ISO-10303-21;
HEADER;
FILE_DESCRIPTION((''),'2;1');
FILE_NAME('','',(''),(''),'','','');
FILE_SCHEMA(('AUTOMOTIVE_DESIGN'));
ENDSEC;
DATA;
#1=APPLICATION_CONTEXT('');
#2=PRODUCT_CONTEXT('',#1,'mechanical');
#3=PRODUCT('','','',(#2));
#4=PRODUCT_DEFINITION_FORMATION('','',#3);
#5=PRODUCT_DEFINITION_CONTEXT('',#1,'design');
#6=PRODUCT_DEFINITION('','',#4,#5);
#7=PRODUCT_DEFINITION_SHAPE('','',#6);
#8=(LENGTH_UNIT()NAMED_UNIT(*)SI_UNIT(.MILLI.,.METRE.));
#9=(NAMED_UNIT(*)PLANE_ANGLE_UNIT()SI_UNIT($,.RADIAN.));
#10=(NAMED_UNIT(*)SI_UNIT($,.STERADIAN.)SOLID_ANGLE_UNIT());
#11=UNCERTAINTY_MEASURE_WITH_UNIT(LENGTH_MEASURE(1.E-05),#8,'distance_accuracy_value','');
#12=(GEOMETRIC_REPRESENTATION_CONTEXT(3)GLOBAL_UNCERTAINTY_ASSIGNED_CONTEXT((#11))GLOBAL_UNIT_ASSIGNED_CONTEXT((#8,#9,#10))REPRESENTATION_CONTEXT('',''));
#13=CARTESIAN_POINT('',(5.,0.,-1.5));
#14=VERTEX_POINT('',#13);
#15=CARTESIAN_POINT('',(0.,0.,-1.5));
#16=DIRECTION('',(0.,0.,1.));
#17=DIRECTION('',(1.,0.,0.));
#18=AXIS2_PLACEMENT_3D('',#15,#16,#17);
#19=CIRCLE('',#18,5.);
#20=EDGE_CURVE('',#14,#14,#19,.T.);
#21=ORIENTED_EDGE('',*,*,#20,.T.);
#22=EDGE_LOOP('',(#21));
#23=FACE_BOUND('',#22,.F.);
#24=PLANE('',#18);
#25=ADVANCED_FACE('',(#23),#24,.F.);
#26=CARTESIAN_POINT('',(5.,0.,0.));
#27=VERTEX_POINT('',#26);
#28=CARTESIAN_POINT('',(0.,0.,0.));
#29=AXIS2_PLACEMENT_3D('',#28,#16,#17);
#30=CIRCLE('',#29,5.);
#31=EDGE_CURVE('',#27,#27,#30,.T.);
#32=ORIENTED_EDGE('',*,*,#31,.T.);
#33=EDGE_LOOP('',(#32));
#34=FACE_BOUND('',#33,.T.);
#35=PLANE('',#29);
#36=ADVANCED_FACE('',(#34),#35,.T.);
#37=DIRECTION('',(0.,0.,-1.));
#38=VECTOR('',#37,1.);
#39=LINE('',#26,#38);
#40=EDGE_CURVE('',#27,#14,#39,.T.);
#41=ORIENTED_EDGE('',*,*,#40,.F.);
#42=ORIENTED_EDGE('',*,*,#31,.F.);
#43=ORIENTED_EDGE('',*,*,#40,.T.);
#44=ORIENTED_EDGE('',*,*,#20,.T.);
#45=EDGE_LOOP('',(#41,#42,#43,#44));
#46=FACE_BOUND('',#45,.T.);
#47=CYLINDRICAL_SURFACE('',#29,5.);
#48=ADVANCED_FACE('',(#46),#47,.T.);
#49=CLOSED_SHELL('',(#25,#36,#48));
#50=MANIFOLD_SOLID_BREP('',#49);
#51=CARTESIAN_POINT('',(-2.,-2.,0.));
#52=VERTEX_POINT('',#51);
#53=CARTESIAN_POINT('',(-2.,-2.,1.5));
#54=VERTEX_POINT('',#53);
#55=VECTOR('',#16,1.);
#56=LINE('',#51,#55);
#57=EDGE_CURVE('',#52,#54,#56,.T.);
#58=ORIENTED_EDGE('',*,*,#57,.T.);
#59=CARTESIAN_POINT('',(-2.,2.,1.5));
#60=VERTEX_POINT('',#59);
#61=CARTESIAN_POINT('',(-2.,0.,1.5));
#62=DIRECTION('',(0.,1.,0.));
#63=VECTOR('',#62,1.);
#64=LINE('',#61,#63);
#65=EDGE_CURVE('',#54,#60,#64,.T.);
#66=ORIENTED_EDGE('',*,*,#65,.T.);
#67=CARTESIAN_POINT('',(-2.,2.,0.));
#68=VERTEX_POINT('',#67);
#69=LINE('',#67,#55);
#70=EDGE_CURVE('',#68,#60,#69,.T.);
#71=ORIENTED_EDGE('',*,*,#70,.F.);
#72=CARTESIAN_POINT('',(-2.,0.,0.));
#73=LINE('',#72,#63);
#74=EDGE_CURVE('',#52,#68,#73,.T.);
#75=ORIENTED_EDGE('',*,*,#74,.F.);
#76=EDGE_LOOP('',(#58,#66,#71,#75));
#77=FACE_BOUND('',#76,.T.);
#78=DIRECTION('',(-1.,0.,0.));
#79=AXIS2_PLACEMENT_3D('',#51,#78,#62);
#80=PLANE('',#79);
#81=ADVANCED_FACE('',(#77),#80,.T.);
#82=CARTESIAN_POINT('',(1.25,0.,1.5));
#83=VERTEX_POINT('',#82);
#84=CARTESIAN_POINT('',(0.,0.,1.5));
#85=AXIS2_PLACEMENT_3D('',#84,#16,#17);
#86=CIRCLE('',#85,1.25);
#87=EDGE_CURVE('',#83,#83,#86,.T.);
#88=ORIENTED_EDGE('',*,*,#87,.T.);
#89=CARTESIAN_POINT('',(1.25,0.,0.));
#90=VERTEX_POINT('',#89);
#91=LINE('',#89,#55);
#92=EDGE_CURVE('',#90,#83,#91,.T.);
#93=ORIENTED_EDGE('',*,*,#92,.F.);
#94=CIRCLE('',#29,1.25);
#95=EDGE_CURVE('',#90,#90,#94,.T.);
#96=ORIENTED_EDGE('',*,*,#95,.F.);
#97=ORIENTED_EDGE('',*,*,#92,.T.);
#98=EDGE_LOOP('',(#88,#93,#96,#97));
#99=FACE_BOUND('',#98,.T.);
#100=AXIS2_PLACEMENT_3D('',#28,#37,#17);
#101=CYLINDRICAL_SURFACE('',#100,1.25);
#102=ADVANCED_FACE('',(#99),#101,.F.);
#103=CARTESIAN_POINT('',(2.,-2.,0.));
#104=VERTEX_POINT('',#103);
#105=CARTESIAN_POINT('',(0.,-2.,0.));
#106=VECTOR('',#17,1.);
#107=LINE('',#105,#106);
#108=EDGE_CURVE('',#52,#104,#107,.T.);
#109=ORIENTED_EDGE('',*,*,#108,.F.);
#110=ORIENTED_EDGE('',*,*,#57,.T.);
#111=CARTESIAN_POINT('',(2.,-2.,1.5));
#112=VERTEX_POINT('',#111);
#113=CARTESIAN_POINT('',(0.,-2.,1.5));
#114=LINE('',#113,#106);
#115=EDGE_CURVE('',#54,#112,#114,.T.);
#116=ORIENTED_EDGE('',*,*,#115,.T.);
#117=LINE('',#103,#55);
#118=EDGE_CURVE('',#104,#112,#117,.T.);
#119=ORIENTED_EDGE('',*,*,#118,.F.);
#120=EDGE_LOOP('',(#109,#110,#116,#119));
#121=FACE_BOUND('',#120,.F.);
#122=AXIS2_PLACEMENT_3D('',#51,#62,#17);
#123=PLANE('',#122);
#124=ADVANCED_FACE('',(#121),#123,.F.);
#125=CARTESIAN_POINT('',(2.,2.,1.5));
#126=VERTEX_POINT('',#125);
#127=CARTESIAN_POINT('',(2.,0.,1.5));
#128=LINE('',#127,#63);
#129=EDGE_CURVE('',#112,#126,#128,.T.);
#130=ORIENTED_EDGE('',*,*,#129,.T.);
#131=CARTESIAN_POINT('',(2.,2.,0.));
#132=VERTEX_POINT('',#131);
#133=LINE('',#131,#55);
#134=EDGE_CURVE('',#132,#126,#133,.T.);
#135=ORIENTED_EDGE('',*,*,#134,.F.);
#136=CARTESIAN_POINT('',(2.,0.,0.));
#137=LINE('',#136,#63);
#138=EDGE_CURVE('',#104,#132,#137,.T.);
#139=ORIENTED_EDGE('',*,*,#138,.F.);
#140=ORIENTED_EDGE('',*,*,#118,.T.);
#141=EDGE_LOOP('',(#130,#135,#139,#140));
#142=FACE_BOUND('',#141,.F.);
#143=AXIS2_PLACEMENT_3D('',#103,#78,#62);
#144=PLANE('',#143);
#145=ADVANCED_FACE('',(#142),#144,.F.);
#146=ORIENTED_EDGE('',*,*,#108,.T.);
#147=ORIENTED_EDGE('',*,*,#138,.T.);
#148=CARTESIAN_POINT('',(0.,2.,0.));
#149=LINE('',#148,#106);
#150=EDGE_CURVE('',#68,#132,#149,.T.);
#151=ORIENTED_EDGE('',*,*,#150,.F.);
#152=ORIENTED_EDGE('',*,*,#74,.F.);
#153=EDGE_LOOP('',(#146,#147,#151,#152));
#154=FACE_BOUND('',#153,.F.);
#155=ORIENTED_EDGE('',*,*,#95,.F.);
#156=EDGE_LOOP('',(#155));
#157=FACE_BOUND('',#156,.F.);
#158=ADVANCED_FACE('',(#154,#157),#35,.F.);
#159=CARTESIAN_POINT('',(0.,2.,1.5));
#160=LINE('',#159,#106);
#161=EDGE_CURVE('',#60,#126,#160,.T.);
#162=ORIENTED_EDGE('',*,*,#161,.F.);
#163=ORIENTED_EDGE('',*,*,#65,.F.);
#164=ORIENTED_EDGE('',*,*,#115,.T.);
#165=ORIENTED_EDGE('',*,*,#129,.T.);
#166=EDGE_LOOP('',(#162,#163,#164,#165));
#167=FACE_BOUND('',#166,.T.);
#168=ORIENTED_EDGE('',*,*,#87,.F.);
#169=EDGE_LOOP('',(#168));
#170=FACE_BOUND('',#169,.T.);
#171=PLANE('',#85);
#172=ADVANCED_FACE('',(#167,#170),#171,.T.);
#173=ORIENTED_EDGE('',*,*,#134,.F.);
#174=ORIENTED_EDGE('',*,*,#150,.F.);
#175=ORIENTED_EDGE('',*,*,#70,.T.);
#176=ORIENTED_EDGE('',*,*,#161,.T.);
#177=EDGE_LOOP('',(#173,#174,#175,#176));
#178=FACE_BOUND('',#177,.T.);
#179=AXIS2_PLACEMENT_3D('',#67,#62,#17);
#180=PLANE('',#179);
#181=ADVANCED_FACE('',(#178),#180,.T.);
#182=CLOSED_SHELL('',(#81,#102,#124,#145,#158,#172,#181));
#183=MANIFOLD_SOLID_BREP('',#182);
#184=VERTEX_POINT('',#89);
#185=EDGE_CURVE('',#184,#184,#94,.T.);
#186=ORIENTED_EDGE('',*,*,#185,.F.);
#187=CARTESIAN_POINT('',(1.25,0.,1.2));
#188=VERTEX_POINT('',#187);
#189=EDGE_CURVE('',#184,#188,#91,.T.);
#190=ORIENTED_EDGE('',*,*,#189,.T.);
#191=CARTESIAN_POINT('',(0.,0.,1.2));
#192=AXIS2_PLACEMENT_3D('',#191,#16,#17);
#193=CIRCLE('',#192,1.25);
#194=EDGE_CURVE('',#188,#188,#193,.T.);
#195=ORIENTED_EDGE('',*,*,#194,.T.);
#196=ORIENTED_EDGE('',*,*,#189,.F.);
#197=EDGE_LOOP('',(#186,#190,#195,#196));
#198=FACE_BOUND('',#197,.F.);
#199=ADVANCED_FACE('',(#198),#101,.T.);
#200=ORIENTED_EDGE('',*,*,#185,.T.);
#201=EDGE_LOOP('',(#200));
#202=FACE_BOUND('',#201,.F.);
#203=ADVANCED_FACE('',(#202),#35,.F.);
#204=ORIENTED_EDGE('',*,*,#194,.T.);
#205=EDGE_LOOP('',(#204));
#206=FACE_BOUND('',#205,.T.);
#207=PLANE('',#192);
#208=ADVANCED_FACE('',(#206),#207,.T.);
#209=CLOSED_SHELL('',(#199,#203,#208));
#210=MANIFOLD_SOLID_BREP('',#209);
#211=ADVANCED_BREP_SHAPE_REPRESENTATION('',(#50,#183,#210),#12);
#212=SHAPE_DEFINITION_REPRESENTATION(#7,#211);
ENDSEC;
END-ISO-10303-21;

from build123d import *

# Parameters (mm, degrees)
F0_R     = 5
F0_W     = 4
F0_H     = 4
F0_R_2   = 1.25
F1_DEPTH = 1.5
F2_DEPTH = 1.5
F3_DEPTH = 1.2


with BuildPart() as f1:
    # F0 (on Top) → F1 (new body)
    with BuildSketch(Plane.XY):
        Circle(F0_R)
        Rectangle(F0_W, F0_H, mode=Mode.SUBTRACT)
        Rectangle(F0_W, F0_H)
        Circle(F0_R_2, mode=Mode.SUBTRACT)
        Circle(F0_R_2)
    extrude(amount=-F1_DEPTH)


with BuildPart() as f2:
    # F0 (on Top) → F2 (new body)
    with BuildSketch(Plane.XY):
        Rectangle(F0_W, F0_H)
        Circle(F0_R_2, mode=Mode.SUBTRACT)
    extrude(amount=F2_DEPTH)


with BuildPart() as f3:
    # F0 (on Top) → F3 (new body)
    with BuildSketch(Plane.XY):
        Circle(F0_R_2)
    extrude(amount=F3_DEPTH)


solid = Compound([f1.part, f2.part, f3.part])
